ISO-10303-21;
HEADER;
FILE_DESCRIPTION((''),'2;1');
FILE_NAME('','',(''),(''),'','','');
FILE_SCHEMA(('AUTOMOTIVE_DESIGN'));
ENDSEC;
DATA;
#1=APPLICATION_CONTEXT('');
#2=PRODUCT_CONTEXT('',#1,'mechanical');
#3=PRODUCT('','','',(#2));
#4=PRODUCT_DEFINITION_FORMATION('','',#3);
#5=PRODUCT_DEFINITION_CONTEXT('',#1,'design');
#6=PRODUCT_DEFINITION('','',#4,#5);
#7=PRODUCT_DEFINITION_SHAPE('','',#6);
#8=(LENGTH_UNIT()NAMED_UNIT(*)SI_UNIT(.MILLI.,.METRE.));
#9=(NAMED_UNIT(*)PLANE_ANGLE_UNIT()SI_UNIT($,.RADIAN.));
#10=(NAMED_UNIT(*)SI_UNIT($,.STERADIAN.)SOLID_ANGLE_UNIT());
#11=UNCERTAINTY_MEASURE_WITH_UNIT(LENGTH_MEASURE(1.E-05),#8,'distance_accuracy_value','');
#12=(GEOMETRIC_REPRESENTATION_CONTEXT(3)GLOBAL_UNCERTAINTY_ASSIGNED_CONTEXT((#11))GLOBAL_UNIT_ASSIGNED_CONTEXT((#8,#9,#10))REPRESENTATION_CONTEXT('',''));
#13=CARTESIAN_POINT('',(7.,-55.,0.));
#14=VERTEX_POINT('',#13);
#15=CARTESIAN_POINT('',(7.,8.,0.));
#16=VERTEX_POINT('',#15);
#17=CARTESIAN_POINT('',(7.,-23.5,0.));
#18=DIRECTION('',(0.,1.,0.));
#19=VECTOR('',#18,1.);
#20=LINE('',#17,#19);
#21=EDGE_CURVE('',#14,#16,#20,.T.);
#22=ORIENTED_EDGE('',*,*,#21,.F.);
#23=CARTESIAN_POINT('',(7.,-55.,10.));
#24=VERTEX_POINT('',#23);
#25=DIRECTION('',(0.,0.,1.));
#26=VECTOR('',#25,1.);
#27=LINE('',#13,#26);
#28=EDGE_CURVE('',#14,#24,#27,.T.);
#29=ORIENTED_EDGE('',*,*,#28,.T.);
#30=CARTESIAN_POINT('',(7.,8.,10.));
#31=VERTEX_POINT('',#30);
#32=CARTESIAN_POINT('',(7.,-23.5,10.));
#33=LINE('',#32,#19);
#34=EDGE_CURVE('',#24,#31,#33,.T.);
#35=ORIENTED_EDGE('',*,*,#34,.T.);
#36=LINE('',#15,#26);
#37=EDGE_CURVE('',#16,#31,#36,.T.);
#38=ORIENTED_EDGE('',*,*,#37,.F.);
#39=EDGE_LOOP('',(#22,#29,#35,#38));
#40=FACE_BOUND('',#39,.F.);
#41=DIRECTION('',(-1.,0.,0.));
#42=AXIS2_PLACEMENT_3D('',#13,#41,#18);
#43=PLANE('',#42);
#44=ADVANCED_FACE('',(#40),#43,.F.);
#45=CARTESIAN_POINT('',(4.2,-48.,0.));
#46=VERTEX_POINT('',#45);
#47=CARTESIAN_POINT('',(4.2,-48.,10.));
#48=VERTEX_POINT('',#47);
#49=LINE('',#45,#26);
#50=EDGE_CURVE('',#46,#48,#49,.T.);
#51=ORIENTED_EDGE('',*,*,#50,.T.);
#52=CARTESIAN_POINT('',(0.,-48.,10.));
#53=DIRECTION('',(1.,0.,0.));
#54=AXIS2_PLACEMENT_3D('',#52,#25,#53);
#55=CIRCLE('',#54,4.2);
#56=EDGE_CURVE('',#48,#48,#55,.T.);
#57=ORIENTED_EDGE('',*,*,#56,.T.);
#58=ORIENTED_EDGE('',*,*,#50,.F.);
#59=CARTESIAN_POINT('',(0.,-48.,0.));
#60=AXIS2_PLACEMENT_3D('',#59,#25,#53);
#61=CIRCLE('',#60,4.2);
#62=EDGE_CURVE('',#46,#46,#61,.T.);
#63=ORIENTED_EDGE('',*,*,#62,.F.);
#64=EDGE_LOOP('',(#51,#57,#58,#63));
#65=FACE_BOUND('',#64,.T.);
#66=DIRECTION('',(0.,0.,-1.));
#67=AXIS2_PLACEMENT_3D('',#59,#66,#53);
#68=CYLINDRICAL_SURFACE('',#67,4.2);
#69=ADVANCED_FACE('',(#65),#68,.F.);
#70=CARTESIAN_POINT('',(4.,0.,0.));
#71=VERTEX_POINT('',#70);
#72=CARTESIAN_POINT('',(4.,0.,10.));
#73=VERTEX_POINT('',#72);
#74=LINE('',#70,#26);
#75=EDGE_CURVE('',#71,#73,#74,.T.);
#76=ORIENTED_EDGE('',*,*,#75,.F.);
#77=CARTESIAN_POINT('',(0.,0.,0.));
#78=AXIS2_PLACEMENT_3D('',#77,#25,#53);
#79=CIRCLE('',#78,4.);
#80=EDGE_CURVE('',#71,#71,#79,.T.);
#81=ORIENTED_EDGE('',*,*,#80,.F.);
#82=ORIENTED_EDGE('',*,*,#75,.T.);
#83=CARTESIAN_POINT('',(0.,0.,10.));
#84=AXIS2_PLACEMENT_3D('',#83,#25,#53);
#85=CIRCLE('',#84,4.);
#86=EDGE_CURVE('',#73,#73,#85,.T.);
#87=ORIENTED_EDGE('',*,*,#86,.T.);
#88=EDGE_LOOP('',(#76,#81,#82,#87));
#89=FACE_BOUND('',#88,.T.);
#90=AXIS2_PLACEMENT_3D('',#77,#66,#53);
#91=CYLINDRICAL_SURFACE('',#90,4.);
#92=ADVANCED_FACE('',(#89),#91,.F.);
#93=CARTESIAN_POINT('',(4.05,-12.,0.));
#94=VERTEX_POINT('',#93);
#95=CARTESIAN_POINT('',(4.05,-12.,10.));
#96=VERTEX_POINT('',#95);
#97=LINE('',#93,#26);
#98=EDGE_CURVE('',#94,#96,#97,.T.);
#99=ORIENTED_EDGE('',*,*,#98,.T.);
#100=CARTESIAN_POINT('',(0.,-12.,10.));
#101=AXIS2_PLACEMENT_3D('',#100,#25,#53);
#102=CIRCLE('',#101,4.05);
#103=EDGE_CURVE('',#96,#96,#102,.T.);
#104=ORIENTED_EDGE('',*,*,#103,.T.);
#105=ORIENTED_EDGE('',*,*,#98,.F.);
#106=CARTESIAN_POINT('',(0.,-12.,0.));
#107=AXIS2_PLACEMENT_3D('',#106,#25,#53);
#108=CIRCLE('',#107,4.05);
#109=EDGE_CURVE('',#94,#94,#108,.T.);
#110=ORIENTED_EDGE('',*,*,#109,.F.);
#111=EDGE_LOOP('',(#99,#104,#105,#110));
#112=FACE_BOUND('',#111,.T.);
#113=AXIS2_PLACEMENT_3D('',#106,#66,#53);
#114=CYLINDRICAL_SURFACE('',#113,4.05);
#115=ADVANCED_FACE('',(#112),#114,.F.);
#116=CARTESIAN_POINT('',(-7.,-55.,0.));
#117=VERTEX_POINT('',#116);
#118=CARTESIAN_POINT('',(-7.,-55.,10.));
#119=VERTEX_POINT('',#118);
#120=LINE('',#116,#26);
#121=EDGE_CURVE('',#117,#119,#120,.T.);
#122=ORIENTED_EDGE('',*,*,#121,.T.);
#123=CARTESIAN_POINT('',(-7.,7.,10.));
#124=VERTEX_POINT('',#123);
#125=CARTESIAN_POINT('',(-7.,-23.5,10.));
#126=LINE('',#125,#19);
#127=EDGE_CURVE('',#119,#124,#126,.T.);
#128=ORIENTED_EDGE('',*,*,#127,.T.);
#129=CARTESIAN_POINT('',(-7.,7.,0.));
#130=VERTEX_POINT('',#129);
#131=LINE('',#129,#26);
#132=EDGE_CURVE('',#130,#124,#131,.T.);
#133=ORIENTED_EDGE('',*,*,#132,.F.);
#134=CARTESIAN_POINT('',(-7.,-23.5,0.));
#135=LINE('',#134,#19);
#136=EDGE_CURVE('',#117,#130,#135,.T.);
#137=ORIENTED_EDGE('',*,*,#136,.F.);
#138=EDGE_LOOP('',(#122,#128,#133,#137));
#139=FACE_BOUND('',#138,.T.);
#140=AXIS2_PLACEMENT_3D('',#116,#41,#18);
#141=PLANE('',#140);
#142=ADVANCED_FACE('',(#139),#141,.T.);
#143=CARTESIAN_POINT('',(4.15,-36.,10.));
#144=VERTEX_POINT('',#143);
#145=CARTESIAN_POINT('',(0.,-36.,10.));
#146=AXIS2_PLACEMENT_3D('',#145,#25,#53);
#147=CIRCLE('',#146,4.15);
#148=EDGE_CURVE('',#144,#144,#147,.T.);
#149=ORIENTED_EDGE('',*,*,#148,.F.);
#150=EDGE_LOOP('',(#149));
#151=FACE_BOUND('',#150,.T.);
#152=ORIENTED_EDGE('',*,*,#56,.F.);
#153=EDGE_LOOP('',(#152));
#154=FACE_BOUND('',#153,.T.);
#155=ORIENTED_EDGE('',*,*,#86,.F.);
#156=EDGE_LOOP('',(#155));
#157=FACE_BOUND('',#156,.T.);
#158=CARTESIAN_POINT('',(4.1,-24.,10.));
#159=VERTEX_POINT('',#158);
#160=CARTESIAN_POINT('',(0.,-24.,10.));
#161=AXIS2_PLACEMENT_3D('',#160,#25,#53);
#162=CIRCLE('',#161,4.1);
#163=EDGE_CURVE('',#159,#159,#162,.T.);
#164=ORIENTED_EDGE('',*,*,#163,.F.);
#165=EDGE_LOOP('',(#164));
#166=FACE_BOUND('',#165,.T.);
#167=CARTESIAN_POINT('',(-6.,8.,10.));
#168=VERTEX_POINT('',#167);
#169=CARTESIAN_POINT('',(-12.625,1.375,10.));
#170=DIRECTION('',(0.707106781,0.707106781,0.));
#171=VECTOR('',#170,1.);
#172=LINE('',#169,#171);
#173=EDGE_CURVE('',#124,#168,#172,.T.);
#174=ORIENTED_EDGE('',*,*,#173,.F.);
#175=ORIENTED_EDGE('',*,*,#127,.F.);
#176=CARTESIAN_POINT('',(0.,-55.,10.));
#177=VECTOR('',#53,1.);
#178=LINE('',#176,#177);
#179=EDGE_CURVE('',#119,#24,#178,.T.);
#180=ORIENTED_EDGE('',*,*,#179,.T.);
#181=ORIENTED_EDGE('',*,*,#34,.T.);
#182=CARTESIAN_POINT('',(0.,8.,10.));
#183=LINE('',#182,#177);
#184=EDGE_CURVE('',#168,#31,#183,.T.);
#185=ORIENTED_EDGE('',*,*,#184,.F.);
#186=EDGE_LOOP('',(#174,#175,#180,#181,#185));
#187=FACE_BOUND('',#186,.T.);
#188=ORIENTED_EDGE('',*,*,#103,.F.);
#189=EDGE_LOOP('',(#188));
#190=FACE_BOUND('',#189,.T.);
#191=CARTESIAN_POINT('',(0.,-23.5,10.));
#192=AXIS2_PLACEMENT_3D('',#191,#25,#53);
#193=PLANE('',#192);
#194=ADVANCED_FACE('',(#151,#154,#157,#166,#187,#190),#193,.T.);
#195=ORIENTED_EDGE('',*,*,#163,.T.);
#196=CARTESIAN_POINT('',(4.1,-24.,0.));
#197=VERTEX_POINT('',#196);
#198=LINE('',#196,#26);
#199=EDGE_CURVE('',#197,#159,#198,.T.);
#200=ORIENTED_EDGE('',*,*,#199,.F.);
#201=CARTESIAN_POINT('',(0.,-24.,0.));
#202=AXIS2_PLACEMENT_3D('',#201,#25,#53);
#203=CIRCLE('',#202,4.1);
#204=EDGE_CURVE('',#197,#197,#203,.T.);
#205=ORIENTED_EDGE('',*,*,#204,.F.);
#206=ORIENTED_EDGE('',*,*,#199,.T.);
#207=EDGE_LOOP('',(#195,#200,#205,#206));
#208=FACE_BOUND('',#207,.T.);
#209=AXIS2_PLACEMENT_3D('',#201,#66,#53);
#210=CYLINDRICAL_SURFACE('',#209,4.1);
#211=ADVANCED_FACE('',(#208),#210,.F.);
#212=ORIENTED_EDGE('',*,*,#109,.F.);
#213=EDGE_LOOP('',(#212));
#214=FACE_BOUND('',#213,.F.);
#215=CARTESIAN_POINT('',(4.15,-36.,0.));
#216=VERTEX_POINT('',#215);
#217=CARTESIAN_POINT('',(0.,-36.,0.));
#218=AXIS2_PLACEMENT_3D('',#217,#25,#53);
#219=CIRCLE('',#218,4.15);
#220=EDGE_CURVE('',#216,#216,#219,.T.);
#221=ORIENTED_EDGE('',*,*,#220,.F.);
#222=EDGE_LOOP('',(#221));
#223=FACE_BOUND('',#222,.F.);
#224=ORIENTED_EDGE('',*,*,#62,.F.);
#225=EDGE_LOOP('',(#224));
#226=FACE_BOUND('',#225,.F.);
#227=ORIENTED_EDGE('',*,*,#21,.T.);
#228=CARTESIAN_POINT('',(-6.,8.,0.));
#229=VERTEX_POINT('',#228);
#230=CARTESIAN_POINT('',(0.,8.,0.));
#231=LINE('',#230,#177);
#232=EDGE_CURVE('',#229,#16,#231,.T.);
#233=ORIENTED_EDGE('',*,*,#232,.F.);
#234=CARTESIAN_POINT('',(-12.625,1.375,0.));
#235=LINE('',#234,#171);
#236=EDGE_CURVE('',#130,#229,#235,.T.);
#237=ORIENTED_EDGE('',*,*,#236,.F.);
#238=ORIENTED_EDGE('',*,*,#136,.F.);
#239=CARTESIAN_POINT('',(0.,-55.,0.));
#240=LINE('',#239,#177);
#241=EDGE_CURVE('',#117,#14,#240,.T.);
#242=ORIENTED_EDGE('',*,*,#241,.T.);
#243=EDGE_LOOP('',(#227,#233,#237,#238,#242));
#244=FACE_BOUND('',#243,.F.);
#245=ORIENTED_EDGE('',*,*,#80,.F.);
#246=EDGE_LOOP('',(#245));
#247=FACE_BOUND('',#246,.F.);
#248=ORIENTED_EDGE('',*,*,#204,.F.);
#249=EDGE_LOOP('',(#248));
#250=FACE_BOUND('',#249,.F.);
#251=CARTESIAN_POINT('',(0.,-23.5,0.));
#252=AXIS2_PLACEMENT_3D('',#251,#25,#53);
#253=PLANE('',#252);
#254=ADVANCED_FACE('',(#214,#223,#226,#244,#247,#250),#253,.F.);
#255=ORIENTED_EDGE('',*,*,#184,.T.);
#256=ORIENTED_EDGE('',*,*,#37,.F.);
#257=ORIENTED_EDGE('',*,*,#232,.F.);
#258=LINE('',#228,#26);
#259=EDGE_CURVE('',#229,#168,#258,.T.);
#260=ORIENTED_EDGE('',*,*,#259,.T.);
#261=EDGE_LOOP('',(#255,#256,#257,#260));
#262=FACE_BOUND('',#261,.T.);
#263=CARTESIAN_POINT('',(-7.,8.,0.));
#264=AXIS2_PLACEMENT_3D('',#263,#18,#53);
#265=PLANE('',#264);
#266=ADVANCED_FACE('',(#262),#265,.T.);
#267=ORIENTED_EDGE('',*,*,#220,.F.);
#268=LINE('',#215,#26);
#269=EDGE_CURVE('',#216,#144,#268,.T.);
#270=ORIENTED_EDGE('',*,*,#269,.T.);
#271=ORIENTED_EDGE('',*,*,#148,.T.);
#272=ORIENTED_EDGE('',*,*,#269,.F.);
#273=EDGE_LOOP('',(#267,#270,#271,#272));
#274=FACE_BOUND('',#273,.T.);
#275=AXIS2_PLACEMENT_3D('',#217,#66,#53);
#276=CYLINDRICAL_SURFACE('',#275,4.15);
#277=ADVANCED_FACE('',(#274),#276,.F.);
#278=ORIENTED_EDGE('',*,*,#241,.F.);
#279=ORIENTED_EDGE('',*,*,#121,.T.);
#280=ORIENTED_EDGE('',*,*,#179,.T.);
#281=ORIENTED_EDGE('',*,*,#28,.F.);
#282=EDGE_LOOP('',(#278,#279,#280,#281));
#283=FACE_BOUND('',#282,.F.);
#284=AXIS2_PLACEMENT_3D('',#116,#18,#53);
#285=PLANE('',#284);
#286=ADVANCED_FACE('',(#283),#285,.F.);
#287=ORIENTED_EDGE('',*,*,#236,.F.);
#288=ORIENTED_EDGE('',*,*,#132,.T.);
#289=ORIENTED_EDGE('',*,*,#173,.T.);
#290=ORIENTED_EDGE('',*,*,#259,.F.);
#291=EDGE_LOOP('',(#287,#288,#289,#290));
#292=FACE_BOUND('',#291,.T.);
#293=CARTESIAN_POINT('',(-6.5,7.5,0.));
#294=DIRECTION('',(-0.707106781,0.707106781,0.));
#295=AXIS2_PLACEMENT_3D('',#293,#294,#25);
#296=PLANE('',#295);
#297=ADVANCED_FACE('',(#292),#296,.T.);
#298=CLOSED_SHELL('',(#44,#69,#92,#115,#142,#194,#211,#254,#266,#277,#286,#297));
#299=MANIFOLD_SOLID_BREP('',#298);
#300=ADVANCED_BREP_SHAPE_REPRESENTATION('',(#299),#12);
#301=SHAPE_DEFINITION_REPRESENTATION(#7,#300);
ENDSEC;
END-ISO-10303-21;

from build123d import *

# Parameters (mm, degrees)
CYLINDER051_R     = 4
CYLINDER051_DEPTH = 10
CYLINDER054_R     = 4.15
CYLINDER054_DEPTH = 10
CYLINDER052_R     = 4.05
CYLINDER052_DEPTH = 10
CYLINDER053_R     = 4.1
CYLINDER053_DEPTH = 10
CYLINDER055_R     = 4.2
CYLINDER055_DEPTH = 10
BOX024_W          = 14
BOX024_H          = 63
BOX024_DEPTH      = 10
CHAMFER030_SIZE   = 1


with BuildPart() as cylinder051:
    # Cylinder051 → Cylinder051 (new body)
    with BuildSketch(Plane.XY):
        Circle(CYLINDER051_R)
    extrude(amount=CYLINDER051_DEPTH)


with BuildPart() as cylinder054:
    # Cylinder054 → Cylinder054 (new body)
    with BuildSketch(Plane(origin=(0, -36, 0), x_dir=(1, 0, 0), z_dir=(0, 0, 1))):
        Circle(CYLINDER054_R)
    extrude(amount=CYLINDER054_DEPTH)


with BuildPart() as cylinder052:
    # Cylinder052 → Cylinder052 (new body)
    with BuildSketch(Plane(origin=(0, -12, 0), x_dir=(1, 0, 0), z_dir=(0, 0, 1))):
        Circle(CYLINDER052_R)
    extrude(amount=CYLINDER052_DEPTH)


with BuildPart() as cylinder053:
    # Cylinder053 → Cylinder053 (new body)
    with BuildSketch(Plane(origin=(0, -24, 0), x_dir=(1, 0, 0), z_dir=(0, 0, 1))):
        Circle(CYLINDER053_R)
    extrude(amount=CYLINDER053_DEPTH)


with BuildPart() as fusion021:
    # Cylinder055 → Cylinder055 (new body)
    with BuildSketch(Plane(origin=(0, -48, 0), x_dir=(1, 0, 0), z_dir=(0, 0, 1))):
        Circle(CYLINDER055_R)
    extrude(amount=CYLINDER055_DEPTH)

    # Fusion021: union Cylinder051, Cylinder054, Cylinder052, Cylinder053
    add(cylinder051.part)
    add(cylinder054.part)
    add(cylinder052.part)
    add(cylinder053.part)


with BuildPart() as cut039:
    # Box024 → Box024 (new body)
    with BuildSketch(Plane(origin=(-7, -55, 0), x_dir=(1, 0, 0), z_dir=(0, 0, 1))):
        with Locations((7, 31.5)):
            Rectangle(BOX024_W, BOX024_H)
    extrude(amount=BOX024_DEPTH)

    # Chamfer030
    chamfer030_edges = [cut039.edges().sort_by_distance(p)[0] for p in [
        (-7, 8, 5),
    ]]
    chamfer(chamfer030_edges, length=CHAMFER030_SIZE)

    # Cut039: cut Fusion021
    add(fusion021.part, mode=Mode.SUBTRACT)


solid = cut039.part
